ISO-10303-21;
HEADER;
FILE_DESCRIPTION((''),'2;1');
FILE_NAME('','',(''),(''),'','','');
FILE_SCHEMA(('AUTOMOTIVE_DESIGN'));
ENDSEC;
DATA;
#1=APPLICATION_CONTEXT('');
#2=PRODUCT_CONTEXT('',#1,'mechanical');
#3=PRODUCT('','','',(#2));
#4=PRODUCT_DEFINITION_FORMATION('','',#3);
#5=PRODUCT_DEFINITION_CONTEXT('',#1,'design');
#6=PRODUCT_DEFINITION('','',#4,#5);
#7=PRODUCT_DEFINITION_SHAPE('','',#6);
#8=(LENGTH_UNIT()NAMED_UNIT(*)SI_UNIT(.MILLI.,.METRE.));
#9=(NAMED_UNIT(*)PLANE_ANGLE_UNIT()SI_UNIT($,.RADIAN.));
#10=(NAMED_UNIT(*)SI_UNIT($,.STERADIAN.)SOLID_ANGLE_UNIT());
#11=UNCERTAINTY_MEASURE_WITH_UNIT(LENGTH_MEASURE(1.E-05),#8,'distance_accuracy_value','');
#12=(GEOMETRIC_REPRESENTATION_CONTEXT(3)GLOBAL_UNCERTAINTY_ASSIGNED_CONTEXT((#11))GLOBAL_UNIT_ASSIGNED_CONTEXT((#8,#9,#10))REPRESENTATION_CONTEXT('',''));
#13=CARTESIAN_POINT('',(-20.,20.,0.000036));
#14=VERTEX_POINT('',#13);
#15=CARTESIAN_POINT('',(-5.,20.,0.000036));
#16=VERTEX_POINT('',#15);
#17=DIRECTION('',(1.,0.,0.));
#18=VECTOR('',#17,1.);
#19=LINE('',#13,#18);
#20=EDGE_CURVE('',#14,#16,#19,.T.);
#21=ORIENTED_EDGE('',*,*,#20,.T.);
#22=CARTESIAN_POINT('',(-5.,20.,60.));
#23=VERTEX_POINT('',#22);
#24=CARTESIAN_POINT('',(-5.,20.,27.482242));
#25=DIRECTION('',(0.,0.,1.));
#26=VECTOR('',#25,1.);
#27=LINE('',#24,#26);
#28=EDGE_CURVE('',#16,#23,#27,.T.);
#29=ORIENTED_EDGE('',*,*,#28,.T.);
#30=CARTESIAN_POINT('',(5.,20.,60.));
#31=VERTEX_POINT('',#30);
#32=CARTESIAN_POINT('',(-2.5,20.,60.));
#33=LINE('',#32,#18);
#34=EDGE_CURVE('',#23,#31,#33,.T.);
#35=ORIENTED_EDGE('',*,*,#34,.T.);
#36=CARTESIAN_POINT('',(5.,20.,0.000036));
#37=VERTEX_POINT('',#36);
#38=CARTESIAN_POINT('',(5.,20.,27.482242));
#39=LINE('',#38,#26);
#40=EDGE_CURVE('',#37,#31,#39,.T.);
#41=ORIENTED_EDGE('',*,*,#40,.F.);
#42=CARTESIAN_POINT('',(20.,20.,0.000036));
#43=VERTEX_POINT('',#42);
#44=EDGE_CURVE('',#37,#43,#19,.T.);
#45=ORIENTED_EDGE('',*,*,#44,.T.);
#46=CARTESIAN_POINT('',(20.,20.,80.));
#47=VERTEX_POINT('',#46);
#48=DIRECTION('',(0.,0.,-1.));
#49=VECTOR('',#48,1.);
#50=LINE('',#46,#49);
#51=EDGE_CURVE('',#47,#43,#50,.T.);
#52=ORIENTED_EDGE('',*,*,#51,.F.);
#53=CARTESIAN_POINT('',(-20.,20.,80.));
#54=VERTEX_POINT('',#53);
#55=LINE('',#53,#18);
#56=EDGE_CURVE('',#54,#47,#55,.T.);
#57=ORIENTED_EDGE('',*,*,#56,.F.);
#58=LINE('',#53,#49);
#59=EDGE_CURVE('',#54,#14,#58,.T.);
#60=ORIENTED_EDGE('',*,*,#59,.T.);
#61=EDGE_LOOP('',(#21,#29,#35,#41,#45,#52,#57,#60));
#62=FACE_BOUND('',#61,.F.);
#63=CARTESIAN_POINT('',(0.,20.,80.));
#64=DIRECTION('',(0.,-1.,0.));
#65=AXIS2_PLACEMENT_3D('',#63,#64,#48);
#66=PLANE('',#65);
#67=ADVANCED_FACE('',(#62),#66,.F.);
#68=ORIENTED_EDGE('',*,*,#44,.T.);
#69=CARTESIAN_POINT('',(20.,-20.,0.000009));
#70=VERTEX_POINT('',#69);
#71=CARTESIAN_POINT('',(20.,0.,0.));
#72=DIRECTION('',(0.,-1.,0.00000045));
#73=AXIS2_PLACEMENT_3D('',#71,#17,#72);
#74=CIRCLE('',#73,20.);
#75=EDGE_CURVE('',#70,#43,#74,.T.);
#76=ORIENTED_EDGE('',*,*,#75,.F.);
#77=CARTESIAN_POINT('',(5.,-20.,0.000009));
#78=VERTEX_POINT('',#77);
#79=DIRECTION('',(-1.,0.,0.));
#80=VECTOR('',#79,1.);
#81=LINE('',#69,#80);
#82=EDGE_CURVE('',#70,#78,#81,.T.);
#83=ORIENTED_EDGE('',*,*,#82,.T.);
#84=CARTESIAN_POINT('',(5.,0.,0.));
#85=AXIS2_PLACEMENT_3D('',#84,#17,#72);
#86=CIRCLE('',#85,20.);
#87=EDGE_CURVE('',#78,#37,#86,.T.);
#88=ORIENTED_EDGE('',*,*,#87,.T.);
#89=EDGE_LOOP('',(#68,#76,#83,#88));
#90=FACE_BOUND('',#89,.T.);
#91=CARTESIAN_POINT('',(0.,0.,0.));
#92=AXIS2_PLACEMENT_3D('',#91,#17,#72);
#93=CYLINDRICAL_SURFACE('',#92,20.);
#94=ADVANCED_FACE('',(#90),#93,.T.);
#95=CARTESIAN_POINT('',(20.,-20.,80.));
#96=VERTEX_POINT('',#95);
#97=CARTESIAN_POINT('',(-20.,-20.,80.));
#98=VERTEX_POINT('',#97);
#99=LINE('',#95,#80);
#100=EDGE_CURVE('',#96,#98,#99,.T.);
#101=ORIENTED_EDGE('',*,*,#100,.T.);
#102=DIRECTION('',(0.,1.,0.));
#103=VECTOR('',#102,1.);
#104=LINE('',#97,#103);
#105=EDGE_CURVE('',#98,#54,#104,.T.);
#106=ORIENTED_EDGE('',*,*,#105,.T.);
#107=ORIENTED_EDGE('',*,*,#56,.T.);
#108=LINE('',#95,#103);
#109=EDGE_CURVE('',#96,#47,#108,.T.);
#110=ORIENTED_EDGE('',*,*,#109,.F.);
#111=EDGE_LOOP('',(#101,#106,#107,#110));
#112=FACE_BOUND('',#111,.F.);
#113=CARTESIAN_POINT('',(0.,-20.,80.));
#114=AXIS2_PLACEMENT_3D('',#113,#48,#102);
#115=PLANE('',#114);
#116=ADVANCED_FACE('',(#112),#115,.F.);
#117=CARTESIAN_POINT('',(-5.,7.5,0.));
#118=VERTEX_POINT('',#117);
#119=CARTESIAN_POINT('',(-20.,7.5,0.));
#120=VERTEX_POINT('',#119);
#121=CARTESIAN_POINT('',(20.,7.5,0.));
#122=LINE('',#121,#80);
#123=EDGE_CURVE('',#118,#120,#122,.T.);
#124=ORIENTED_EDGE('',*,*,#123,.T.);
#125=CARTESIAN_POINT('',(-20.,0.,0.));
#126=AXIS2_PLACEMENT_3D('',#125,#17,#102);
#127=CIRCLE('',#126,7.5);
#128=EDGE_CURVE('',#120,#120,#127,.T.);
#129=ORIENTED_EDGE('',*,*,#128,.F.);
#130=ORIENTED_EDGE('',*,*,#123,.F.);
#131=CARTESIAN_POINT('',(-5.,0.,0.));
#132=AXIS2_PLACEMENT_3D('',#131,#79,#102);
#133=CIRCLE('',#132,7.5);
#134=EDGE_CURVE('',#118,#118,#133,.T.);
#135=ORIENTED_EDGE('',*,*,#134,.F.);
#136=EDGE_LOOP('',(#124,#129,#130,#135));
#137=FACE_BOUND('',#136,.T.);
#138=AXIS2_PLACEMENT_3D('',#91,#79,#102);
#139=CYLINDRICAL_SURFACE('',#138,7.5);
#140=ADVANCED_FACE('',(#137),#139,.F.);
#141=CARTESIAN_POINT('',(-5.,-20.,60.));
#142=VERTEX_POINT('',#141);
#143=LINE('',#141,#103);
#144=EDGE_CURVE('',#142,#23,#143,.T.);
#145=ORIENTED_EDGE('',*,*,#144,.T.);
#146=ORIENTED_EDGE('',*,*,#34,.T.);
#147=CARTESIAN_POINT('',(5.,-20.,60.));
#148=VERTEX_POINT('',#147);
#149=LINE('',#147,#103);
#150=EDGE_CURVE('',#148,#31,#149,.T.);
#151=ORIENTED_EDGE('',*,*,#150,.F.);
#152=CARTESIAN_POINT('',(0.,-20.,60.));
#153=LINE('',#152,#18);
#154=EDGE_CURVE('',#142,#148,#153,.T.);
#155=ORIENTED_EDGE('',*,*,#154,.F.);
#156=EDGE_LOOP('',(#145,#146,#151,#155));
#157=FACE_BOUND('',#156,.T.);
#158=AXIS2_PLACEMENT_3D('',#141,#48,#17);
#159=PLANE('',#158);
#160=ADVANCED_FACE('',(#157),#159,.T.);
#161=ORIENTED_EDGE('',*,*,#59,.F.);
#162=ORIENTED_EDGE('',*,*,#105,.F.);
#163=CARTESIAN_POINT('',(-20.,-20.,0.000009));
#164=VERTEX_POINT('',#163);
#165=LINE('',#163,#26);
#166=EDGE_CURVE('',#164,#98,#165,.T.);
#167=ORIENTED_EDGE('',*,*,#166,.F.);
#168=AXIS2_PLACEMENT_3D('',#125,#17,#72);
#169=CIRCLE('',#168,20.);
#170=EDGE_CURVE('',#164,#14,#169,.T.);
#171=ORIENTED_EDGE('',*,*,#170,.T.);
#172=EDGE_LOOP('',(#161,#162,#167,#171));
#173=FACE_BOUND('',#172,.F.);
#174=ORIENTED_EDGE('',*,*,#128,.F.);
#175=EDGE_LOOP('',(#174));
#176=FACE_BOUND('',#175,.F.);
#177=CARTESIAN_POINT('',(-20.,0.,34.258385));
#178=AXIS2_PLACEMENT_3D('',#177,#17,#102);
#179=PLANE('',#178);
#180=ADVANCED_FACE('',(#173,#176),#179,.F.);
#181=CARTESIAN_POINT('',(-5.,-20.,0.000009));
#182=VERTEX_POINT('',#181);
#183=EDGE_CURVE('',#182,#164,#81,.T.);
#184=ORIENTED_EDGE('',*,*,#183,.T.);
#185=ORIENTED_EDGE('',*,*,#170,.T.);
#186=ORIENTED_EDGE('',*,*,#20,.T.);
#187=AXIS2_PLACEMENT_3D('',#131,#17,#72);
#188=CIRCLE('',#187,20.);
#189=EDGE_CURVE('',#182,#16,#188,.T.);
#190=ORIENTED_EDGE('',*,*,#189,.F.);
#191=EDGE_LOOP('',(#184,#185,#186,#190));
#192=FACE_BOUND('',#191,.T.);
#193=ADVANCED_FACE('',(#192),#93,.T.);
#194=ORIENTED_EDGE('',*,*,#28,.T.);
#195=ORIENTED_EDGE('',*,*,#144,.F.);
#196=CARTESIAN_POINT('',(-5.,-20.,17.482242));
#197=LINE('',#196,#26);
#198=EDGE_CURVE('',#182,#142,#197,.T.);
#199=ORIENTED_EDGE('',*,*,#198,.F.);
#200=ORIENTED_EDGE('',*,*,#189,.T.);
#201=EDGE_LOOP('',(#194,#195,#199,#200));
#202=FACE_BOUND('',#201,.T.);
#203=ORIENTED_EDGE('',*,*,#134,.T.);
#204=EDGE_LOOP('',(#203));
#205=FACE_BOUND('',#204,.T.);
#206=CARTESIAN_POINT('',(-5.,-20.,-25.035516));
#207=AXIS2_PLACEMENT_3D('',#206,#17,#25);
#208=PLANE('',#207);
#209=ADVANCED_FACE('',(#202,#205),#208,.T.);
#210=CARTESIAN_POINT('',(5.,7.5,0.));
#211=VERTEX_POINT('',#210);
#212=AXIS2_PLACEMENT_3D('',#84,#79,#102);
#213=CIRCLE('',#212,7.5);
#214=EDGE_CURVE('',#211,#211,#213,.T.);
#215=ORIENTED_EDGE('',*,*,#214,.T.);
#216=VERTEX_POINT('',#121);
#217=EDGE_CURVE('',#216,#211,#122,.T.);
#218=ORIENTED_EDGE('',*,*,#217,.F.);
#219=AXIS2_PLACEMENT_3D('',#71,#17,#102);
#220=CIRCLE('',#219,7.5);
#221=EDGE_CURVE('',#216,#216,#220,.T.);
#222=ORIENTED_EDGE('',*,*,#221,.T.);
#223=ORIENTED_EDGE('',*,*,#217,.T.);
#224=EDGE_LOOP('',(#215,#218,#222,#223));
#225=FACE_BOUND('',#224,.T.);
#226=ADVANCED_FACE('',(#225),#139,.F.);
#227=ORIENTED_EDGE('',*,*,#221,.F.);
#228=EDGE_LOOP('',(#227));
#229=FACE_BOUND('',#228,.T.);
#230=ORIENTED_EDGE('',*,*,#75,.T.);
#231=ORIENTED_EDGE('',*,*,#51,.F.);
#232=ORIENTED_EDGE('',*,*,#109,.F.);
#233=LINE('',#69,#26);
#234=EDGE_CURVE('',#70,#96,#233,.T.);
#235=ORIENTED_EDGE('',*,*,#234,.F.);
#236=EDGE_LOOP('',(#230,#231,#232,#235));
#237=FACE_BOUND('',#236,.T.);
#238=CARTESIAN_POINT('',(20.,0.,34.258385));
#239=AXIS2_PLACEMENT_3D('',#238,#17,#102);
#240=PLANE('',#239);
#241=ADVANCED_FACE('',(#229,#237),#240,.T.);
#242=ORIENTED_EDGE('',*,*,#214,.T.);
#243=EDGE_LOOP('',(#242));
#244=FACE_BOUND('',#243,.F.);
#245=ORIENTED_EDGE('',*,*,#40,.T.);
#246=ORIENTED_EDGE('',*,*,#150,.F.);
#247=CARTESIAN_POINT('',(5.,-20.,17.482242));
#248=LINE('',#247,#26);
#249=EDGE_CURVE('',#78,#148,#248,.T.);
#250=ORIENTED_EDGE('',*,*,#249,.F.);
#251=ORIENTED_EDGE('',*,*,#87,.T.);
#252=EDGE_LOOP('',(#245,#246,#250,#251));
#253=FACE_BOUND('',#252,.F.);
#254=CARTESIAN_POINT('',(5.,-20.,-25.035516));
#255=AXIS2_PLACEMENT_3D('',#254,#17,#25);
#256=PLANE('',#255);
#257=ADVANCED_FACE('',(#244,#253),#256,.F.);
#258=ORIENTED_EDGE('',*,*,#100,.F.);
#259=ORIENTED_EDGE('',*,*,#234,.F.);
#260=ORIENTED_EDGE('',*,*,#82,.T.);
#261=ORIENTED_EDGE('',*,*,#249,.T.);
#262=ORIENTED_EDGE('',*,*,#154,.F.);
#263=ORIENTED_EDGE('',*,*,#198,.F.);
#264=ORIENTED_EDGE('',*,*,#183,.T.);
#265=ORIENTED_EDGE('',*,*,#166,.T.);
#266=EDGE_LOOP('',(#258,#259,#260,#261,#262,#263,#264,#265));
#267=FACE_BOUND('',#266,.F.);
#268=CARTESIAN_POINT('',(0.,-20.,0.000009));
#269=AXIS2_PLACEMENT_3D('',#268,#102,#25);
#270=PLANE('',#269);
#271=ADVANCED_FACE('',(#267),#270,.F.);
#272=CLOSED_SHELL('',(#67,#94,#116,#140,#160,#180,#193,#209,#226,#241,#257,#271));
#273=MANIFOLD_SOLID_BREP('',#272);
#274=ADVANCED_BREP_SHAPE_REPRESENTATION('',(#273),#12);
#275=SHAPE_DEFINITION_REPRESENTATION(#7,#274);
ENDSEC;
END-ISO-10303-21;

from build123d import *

# Parameters (mm, degrees)
SKETCH038_W      = 10
SKETCH038_H      = 85.035517
EXTRUDE034_DEPTH = 50
SKETCH037_R      = 7.5
EXTRUDE033_DEPTH = 20


with BuildPart() as extrude036:
    # Sketch038 (on Face4 of Extrude033) → Extrude034 (new body)
    with BuildSketch(Plane.XZ.offset(20)):
        with Locations((0, 17.482242)):
            Rectangle(SKETCH038_W, SKETCH038_H)
    extrude(amount=-EXTRUDE034_DEPTH)


with BuildPart() as cut017:
    # Sketch037 → Extrude033 (new body, symmetric)
    with BuildSketch(Plane.YZ):
        with BuildLine():
            ThreePointArc((-20, 9e-06), (1.3e-05, -20), (20, 3.6e-05))
            Line((20, 80), (20, 3.6e-05))
            Line((-20, 80), (20, 80))
            Line((-20, 9e-06), (-20, 80))
        make_face()
        Circle(SKETCH037_R, mode=Mode.SUBTRACT)
    extrude(amount=EXTRUDE033_DEPTH, both=True)

    # Cut017: cut Extrude036
    add(extrude036.part, mode=Mode.SUBTRACT)


solid = cut017.part
